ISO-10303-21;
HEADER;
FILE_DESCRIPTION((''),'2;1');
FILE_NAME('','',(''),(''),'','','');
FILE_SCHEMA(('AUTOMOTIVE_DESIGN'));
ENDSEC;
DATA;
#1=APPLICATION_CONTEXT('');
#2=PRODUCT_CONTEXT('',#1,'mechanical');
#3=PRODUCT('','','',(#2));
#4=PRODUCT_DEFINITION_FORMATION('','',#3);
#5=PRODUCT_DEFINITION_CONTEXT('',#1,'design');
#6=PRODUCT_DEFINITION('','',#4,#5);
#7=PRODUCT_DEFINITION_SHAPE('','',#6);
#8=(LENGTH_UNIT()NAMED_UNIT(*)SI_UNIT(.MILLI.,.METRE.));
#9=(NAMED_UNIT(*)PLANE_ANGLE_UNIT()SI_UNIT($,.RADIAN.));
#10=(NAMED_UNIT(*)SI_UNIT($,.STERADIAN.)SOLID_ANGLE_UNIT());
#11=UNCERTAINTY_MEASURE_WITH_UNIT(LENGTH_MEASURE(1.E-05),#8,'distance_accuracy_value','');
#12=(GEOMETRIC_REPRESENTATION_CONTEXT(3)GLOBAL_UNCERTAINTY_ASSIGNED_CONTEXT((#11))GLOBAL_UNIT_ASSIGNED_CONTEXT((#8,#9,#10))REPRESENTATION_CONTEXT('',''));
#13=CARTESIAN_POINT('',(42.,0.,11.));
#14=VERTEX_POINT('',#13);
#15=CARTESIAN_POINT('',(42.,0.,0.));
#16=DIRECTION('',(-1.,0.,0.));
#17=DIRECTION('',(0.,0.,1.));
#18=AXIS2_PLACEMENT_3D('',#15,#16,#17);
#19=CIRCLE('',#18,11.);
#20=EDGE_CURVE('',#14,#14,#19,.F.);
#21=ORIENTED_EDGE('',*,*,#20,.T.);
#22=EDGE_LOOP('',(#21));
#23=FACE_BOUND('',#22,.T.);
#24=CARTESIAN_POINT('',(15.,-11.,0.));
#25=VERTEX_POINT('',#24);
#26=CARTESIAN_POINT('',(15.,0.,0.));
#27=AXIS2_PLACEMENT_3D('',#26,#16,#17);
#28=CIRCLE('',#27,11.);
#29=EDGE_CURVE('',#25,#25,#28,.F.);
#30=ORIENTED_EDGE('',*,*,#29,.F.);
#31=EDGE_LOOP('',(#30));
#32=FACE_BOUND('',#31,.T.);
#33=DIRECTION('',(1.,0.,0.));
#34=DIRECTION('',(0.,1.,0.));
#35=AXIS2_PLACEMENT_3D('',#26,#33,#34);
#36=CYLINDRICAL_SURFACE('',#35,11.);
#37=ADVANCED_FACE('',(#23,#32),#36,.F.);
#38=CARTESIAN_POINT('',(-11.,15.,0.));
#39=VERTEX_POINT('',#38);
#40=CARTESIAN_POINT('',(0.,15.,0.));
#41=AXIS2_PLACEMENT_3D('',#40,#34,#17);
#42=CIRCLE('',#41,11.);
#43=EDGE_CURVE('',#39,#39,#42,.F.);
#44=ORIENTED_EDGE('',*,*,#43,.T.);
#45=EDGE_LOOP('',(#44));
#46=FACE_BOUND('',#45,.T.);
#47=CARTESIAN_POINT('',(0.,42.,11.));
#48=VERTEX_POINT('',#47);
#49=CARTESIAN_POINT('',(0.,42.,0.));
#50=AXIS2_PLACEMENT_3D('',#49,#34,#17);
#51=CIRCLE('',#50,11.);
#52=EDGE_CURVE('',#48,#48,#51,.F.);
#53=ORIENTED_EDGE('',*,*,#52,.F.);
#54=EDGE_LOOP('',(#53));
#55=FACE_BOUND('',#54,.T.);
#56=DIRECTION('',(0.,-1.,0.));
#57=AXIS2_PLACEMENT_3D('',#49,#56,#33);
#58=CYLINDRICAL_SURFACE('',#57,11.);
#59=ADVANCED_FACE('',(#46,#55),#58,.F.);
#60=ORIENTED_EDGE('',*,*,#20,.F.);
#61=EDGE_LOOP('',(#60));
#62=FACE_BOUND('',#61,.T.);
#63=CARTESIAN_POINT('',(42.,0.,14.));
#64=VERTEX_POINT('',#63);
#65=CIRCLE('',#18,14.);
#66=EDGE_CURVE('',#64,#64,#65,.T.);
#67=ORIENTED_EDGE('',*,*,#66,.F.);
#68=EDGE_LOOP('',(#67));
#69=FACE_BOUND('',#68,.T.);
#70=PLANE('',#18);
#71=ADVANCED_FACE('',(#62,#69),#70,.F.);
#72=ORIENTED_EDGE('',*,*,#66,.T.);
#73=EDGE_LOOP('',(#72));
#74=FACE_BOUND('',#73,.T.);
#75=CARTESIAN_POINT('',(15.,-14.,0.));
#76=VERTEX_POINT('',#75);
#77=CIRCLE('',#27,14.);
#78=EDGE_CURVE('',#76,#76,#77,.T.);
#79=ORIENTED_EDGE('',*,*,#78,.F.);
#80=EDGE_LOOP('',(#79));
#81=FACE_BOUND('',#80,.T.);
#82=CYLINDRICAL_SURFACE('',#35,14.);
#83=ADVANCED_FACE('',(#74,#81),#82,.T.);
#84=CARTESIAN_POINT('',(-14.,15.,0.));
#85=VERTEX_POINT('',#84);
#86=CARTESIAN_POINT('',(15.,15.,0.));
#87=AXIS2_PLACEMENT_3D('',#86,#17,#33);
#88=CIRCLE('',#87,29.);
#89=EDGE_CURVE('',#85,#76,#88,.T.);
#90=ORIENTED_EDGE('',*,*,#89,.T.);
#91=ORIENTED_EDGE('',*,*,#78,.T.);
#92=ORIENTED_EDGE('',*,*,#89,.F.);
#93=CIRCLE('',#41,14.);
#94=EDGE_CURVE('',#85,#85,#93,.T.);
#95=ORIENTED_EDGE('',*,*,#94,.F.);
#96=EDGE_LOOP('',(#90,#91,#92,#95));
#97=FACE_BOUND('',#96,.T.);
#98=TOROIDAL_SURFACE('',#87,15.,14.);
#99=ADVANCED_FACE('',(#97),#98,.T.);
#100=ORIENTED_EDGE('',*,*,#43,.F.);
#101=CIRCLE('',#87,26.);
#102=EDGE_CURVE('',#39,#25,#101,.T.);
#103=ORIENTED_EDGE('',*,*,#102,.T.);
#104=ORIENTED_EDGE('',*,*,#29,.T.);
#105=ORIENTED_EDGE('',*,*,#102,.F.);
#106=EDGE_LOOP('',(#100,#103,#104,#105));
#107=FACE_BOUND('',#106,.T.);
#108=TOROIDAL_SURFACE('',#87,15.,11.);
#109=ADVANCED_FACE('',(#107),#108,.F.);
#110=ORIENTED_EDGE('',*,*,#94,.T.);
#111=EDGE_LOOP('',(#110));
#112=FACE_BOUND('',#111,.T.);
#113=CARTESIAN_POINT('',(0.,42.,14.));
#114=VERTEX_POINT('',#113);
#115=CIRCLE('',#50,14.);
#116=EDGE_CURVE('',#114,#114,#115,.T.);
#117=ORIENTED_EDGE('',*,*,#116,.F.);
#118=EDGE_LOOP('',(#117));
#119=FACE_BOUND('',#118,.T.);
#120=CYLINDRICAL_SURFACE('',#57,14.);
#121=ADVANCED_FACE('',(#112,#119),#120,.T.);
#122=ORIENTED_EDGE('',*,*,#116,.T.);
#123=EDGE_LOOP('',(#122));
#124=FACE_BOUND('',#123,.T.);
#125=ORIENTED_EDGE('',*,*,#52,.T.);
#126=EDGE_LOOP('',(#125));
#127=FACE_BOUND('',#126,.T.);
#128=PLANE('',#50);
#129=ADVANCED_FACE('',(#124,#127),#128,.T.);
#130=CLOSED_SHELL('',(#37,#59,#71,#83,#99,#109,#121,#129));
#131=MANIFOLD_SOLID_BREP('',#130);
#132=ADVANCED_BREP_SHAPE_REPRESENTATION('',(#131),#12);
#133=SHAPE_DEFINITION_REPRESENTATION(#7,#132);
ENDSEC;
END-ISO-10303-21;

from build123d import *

# Parameters (mm, degrees)
SKETCH2_R   = 14
SKETCH2_R_2 = 11


with BuildPart() as part:
    # Sweep2: sweep along a path in Sketch1
    with BuildLine(Plane.XY) as sweep2_path:
        Line((0, 42), (0, 15))
        ThreePointArc((0, 15), (4.393398282, 4.393398282), (15, 0))
        Line((15, 0), (42, 0))
    # Sketch2 → Sweep2 (sweep)
    with BuildSketch(Plane(origin=(0, 42, 0), x_dir=(1, 0, 0), z_dir=(0, 1, 0))):
        Circle(SKETCH2_R)
        Circle(SKETCH2_R_2, mode=Mode.SUBTRACT)
    sweep(path=sweep2_path.line)


solid = part.part
